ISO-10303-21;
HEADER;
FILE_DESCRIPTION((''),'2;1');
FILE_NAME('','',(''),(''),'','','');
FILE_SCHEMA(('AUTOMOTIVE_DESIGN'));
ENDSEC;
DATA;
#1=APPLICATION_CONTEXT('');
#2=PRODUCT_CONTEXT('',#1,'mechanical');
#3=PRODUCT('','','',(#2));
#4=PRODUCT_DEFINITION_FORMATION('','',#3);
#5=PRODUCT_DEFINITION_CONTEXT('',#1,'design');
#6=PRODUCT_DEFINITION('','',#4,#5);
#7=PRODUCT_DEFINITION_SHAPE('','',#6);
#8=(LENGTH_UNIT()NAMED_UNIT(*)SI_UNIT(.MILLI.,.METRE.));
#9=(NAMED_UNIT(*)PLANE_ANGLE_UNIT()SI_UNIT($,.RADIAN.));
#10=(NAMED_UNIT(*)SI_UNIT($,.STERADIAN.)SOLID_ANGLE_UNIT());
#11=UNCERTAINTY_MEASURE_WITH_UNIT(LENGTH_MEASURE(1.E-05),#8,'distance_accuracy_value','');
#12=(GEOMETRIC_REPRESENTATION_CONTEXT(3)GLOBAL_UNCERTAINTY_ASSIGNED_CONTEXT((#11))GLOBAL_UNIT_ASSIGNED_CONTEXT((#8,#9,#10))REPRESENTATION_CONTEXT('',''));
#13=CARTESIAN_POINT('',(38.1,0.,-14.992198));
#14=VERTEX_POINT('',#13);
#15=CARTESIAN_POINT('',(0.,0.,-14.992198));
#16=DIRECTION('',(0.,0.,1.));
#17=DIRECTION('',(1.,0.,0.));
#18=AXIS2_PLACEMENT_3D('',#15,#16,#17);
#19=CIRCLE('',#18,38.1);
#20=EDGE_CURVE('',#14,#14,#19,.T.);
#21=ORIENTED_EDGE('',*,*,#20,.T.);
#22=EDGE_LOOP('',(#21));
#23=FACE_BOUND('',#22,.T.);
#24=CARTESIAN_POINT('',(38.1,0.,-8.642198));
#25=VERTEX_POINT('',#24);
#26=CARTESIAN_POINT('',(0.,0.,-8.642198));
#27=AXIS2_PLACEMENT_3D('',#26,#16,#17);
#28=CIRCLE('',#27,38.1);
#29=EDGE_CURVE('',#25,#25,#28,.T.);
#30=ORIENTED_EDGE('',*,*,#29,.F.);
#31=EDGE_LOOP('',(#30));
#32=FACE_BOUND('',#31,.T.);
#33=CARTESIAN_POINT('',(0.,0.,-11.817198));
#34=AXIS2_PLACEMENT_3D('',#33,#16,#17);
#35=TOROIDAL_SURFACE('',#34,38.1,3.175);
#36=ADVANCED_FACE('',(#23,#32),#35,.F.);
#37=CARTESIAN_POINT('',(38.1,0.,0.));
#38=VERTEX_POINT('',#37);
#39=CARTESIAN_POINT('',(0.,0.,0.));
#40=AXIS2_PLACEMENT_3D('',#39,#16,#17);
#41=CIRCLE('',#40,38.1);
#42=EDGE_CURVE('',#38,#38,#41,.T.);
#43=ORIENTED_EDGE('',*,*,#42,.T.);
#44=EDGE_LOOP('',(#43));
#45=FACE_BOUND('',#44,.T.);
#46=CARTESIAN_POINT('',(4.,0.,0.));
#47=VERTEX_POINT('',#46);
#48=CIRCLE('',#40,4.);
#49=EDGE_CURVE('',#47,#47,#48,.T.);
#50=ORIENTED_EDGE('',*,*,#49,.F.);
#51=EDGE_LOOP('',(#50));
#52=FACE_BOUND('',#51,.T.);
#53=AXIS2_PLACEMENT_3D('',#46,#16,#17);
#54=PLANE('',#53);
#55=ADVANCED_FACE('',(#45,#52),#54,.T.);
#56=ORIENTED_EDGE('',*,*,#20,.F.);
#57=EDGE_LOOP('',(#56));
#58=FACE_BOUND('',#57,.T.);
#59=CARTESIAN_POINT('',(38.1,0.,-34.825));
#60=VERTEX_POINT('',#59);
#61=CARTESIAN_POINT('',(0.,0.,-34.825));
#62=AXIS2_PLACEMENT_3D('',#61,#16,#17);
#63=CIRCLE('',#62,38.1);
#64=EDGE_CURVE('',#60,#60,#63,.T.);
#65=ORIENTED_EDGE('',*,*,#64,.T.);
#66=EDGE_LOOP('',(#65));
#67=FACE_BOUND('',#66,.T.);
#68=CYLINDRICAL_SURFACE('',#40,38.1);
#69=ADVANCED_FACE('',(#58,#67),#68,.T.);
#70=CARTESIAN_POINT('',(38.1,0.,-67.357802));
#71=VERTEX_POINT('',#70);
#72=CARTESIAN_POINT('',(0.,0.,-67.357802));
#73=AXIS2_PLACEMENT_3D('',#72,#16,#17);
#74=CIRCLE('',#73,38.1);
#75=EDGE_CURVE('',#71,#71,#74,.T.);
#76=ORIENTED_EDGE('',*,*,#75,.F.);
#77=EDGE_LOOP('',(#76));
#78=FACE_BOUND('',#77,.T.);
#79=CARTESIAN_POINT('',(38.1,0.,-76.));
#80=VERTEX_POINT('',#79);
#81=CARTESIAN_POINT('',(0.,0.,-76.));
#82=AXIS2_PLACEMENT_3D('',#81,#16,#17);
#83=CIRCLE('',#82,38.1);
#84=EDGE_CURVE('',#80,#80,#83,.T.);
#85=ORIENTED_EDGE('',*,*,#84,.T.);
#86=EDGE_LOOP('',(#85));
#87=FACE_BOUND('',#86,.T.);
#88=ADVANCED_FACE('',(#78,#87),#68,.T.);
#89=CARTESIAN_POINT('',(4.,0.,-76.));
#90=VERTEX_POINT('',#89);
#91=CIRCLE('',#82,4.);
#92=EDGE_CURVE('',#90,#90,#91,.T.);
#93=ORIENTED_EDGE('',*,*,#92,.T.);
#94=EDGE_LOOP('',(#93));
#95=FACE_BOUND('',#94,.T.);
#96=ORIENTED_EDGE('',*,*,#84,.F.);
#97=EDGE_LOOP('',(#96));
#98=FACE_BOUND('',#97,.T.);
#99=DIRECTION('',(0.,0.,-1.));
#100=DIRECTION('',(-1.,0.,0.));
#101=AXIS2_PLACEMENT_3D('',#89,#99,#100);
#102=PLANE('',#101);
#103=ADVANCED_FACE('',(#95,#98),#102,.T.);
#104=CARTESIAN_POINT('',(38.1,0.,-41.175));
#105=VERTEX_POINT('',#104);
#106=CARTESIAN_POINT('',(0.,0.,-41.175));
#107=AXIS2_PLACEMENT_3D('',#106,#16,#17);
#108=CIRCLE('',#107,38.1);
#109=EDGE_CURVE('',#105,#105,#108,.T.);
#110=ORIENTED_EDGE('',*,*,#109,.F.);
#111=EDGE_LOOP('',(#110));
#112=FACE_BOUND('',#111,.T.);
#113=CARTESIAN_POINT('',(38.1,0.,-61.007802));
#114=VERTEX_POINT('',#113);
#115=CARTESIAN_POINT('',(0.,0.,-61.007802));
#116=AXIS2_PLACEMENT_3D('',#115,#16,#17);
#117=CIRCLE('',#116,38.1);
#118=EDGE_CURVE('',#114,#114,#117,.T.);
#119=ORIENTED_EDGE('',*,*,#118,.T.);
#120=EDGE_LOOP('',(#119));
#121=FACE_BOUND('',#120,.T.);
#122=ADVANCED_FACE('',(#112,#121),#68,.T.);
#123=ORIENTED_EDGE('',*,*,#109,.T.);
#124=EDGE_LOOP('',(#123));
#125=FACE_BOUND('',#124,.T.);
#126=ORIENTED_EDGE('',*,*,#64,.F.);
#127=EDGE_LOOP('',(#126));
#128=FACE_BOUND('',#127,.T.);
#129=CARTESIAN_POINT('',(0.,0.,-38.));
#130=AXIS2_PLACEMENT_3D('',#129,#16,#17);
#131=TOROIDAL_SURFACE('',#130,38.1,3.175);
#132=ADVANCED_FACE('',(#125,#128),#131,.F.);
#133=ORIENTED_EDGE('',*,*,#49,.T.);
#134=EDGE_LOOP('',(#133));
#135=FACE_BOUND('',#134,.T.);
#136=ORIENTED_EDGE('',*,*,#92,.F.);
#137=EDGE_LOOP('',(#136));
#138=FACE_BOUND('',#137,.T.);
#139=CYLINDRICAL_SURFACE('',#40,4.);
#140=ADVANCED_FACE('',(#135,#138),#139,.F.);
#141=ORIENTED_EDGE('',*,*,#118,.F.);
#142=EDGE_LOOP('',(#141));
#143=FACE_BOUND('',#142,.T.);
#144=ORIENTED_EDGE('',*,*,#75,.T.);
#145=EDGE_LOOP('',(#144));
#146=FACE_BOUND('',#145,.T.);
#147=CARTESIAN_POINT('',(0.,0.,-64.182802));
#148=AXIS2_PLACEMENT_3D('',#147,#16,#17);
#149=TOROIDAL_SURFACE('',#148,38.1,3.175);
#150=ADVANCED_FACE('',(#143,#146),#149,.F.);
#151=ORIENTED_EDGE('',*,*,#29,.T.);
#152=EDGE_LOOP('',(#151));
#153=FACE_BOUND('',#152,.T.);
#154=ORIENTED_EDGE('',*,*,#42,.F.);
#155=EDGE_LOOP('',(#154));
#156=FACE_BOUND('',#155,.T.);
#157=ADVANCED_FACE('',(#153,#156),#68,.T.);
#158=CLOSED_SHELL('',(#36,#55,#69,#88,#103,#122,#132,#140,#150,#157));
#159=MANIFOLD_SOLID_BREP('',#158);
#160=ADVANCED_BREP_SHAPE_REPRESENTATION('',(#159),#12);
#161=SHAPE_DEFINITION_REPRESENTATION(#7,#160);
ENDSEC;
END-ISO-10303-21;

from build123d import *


with BuildPart() as part:
    # Sketch1 → Revolve1 (revolve)
    with BuildSketch(Plane(origin=(0, 0, 0), x_dir=(1, 0, 0), z_dir=(0, 1, 0))):
        with BuildLine():
            Line((4, 0), (38.1, 0))
            Line((38.1, 0), (38.1, 8.642197741))
            ThreePointArc((38.1, 8.642197741), (34.925, 11.817197741), (38.1, 14.992197741))
            Line((38.1, 14.992197741), (38.1, 34.825))
            ThreePointArc((38.1, 34.825), (34.925, 38), (38.1, 41.175))
            Line((38.1, 41.175), (38.1, 61.007802259))
            ThreePointArc((38.1, 61.007802259), (34.925, 64.182802259), (38.1, 67.357802259))
            Line((38.1, 67.357802259), (38.1, 76))
            Line((38.1, 76), (4, 76))
            Line((4, 76), (4, 0))
        make_face()
    revolve(axis=Axis((0, 0, 0), (0, 0, -1)))


solid = part.part
